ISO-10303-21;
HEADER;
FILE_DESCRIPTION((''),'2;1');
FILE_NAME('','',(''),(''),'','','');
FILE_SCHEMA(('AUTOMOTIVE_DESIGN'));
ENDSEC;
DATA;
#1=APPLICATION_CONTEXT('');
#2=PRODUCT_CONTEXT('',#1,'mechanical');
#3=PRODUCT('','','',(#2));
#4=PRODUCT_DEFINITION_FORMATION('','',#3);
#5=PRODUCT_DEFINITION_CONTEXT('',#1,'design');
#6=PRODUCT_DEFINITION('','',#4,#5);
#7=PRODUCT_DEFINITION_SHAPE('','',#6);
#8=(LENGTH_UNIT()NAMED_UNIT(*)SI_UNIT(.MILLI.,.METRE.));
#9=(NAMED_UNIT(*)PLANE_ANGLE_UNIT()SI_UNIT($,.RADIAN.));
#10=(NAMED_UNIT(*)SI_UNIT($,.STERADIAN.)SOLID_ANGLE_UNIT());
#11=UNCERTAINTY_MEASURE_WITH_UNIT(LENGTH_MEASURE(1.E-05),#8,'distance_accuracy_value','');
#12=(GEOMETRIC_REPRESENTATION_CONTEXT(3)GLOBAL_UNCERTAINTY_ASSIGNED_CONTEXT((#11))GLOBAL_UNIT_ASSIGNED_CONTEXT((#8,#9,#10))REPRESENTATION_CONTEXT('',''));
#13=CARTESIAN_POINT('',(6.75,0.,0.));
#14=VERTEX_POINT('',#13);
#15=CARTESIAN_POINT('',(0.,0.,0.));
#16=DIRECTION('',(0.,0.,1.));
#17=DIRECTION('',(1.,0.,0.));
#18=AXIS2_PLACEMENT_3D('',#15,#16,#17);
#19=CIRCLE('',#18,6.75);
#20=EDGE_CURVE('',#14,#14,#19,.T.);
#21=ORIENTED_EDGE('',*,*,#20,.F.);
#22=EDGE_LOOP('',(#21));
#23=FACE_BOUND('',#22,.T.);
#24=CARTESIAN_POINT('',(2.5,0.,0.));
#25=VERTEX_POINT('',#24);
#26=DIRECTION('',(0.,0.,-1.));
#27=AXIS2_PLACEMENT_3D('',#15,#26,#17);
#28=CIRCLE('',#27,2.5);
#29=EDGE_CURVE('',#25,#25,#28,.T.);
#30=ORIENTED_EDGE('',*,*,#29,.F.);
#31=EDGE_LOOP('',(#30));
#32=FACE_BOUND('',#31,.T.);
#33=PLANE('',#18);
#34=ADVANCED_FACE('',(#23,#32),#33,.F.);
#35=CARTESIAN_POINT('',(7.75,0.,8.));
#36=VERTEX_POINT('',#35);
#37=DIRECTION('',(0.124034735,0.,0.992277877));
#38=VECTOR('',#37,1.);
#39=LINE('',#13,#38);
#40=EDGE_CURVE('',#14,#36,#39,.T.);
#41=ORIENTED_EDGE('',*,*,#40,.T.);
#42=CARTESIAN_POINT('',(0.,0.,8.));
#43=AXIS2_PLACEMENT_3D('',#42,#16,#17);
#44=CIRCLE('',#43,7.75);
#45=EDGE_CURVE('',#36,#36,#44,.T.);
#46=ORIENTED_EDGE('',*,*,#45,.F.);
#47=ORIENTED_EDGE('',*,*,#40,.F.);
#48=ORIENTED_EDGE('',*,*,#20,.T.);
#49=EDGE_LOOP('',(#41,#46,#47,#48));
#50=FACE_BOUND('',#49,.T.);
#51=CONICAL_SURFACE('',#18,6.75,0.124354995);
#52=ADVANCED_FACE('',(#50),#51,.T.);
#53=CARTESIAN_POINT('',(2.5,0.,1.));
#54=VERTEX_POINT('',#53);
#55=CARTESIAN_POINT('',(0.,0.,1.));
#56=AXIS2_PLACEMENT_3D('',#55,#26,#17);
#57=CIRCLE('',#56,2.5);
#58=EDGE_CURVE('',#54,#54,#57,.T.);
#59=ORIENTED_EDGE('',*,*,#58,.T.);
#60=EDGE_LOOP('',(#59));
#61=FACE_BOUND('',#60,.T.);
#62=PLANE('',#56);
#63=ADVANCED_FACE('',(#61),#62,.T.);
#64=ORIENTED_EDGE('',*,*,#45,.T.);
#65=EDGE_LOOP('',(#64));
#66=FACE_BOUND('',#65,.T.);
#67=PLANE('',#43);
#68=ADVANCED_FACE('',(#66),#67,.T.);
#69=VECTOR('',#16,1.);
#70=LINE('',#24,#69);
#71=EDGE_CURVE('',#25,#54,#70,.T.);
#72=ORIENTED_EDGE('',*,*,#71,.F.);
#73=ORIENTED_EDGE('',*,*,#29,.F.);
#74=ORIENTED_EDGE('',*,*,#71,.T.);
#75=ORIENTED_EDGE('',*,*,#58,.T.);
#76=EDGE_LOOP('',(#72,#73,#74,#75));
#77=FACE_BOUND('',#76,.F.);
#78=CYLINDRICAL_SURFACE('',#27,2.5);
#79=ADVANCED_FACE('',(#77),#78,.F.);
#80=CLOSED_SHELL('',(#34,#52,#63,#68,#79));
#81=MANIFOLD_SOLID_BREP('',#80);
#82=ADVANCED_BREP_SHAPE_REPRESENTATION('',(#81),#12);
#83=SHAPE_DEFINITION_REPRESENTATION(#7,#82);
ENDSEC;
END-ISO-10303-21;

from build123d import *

# Parameters (mm, degrees)
SKETCH001_R  = 2.5
POCKET_DEPTH = 1


with BuildPart() as part:
    # Sketch → Revolution (revolve)
    with BuildSketch(Plane.XZ):
        Polygon((0, 0), (6.75, 0), (7.75, 8), (0, 8), align=None)
    revolve(axis=Axis((0, 0, 0), (0, 0, 1)))

    # Sketch001 (on Face1 of Revolution) → Pocket (cut)
    with BuildSketch(Plane(origin=(0, 0, 0), x_dir=(1, 0, 0), z_dir=(0, 0, -1))):
        Circle(SKETCH001_R)
    extrude(amount=-POCKET_DEPTH, mode=Mode.SUBTRACT)


solid = part.part
